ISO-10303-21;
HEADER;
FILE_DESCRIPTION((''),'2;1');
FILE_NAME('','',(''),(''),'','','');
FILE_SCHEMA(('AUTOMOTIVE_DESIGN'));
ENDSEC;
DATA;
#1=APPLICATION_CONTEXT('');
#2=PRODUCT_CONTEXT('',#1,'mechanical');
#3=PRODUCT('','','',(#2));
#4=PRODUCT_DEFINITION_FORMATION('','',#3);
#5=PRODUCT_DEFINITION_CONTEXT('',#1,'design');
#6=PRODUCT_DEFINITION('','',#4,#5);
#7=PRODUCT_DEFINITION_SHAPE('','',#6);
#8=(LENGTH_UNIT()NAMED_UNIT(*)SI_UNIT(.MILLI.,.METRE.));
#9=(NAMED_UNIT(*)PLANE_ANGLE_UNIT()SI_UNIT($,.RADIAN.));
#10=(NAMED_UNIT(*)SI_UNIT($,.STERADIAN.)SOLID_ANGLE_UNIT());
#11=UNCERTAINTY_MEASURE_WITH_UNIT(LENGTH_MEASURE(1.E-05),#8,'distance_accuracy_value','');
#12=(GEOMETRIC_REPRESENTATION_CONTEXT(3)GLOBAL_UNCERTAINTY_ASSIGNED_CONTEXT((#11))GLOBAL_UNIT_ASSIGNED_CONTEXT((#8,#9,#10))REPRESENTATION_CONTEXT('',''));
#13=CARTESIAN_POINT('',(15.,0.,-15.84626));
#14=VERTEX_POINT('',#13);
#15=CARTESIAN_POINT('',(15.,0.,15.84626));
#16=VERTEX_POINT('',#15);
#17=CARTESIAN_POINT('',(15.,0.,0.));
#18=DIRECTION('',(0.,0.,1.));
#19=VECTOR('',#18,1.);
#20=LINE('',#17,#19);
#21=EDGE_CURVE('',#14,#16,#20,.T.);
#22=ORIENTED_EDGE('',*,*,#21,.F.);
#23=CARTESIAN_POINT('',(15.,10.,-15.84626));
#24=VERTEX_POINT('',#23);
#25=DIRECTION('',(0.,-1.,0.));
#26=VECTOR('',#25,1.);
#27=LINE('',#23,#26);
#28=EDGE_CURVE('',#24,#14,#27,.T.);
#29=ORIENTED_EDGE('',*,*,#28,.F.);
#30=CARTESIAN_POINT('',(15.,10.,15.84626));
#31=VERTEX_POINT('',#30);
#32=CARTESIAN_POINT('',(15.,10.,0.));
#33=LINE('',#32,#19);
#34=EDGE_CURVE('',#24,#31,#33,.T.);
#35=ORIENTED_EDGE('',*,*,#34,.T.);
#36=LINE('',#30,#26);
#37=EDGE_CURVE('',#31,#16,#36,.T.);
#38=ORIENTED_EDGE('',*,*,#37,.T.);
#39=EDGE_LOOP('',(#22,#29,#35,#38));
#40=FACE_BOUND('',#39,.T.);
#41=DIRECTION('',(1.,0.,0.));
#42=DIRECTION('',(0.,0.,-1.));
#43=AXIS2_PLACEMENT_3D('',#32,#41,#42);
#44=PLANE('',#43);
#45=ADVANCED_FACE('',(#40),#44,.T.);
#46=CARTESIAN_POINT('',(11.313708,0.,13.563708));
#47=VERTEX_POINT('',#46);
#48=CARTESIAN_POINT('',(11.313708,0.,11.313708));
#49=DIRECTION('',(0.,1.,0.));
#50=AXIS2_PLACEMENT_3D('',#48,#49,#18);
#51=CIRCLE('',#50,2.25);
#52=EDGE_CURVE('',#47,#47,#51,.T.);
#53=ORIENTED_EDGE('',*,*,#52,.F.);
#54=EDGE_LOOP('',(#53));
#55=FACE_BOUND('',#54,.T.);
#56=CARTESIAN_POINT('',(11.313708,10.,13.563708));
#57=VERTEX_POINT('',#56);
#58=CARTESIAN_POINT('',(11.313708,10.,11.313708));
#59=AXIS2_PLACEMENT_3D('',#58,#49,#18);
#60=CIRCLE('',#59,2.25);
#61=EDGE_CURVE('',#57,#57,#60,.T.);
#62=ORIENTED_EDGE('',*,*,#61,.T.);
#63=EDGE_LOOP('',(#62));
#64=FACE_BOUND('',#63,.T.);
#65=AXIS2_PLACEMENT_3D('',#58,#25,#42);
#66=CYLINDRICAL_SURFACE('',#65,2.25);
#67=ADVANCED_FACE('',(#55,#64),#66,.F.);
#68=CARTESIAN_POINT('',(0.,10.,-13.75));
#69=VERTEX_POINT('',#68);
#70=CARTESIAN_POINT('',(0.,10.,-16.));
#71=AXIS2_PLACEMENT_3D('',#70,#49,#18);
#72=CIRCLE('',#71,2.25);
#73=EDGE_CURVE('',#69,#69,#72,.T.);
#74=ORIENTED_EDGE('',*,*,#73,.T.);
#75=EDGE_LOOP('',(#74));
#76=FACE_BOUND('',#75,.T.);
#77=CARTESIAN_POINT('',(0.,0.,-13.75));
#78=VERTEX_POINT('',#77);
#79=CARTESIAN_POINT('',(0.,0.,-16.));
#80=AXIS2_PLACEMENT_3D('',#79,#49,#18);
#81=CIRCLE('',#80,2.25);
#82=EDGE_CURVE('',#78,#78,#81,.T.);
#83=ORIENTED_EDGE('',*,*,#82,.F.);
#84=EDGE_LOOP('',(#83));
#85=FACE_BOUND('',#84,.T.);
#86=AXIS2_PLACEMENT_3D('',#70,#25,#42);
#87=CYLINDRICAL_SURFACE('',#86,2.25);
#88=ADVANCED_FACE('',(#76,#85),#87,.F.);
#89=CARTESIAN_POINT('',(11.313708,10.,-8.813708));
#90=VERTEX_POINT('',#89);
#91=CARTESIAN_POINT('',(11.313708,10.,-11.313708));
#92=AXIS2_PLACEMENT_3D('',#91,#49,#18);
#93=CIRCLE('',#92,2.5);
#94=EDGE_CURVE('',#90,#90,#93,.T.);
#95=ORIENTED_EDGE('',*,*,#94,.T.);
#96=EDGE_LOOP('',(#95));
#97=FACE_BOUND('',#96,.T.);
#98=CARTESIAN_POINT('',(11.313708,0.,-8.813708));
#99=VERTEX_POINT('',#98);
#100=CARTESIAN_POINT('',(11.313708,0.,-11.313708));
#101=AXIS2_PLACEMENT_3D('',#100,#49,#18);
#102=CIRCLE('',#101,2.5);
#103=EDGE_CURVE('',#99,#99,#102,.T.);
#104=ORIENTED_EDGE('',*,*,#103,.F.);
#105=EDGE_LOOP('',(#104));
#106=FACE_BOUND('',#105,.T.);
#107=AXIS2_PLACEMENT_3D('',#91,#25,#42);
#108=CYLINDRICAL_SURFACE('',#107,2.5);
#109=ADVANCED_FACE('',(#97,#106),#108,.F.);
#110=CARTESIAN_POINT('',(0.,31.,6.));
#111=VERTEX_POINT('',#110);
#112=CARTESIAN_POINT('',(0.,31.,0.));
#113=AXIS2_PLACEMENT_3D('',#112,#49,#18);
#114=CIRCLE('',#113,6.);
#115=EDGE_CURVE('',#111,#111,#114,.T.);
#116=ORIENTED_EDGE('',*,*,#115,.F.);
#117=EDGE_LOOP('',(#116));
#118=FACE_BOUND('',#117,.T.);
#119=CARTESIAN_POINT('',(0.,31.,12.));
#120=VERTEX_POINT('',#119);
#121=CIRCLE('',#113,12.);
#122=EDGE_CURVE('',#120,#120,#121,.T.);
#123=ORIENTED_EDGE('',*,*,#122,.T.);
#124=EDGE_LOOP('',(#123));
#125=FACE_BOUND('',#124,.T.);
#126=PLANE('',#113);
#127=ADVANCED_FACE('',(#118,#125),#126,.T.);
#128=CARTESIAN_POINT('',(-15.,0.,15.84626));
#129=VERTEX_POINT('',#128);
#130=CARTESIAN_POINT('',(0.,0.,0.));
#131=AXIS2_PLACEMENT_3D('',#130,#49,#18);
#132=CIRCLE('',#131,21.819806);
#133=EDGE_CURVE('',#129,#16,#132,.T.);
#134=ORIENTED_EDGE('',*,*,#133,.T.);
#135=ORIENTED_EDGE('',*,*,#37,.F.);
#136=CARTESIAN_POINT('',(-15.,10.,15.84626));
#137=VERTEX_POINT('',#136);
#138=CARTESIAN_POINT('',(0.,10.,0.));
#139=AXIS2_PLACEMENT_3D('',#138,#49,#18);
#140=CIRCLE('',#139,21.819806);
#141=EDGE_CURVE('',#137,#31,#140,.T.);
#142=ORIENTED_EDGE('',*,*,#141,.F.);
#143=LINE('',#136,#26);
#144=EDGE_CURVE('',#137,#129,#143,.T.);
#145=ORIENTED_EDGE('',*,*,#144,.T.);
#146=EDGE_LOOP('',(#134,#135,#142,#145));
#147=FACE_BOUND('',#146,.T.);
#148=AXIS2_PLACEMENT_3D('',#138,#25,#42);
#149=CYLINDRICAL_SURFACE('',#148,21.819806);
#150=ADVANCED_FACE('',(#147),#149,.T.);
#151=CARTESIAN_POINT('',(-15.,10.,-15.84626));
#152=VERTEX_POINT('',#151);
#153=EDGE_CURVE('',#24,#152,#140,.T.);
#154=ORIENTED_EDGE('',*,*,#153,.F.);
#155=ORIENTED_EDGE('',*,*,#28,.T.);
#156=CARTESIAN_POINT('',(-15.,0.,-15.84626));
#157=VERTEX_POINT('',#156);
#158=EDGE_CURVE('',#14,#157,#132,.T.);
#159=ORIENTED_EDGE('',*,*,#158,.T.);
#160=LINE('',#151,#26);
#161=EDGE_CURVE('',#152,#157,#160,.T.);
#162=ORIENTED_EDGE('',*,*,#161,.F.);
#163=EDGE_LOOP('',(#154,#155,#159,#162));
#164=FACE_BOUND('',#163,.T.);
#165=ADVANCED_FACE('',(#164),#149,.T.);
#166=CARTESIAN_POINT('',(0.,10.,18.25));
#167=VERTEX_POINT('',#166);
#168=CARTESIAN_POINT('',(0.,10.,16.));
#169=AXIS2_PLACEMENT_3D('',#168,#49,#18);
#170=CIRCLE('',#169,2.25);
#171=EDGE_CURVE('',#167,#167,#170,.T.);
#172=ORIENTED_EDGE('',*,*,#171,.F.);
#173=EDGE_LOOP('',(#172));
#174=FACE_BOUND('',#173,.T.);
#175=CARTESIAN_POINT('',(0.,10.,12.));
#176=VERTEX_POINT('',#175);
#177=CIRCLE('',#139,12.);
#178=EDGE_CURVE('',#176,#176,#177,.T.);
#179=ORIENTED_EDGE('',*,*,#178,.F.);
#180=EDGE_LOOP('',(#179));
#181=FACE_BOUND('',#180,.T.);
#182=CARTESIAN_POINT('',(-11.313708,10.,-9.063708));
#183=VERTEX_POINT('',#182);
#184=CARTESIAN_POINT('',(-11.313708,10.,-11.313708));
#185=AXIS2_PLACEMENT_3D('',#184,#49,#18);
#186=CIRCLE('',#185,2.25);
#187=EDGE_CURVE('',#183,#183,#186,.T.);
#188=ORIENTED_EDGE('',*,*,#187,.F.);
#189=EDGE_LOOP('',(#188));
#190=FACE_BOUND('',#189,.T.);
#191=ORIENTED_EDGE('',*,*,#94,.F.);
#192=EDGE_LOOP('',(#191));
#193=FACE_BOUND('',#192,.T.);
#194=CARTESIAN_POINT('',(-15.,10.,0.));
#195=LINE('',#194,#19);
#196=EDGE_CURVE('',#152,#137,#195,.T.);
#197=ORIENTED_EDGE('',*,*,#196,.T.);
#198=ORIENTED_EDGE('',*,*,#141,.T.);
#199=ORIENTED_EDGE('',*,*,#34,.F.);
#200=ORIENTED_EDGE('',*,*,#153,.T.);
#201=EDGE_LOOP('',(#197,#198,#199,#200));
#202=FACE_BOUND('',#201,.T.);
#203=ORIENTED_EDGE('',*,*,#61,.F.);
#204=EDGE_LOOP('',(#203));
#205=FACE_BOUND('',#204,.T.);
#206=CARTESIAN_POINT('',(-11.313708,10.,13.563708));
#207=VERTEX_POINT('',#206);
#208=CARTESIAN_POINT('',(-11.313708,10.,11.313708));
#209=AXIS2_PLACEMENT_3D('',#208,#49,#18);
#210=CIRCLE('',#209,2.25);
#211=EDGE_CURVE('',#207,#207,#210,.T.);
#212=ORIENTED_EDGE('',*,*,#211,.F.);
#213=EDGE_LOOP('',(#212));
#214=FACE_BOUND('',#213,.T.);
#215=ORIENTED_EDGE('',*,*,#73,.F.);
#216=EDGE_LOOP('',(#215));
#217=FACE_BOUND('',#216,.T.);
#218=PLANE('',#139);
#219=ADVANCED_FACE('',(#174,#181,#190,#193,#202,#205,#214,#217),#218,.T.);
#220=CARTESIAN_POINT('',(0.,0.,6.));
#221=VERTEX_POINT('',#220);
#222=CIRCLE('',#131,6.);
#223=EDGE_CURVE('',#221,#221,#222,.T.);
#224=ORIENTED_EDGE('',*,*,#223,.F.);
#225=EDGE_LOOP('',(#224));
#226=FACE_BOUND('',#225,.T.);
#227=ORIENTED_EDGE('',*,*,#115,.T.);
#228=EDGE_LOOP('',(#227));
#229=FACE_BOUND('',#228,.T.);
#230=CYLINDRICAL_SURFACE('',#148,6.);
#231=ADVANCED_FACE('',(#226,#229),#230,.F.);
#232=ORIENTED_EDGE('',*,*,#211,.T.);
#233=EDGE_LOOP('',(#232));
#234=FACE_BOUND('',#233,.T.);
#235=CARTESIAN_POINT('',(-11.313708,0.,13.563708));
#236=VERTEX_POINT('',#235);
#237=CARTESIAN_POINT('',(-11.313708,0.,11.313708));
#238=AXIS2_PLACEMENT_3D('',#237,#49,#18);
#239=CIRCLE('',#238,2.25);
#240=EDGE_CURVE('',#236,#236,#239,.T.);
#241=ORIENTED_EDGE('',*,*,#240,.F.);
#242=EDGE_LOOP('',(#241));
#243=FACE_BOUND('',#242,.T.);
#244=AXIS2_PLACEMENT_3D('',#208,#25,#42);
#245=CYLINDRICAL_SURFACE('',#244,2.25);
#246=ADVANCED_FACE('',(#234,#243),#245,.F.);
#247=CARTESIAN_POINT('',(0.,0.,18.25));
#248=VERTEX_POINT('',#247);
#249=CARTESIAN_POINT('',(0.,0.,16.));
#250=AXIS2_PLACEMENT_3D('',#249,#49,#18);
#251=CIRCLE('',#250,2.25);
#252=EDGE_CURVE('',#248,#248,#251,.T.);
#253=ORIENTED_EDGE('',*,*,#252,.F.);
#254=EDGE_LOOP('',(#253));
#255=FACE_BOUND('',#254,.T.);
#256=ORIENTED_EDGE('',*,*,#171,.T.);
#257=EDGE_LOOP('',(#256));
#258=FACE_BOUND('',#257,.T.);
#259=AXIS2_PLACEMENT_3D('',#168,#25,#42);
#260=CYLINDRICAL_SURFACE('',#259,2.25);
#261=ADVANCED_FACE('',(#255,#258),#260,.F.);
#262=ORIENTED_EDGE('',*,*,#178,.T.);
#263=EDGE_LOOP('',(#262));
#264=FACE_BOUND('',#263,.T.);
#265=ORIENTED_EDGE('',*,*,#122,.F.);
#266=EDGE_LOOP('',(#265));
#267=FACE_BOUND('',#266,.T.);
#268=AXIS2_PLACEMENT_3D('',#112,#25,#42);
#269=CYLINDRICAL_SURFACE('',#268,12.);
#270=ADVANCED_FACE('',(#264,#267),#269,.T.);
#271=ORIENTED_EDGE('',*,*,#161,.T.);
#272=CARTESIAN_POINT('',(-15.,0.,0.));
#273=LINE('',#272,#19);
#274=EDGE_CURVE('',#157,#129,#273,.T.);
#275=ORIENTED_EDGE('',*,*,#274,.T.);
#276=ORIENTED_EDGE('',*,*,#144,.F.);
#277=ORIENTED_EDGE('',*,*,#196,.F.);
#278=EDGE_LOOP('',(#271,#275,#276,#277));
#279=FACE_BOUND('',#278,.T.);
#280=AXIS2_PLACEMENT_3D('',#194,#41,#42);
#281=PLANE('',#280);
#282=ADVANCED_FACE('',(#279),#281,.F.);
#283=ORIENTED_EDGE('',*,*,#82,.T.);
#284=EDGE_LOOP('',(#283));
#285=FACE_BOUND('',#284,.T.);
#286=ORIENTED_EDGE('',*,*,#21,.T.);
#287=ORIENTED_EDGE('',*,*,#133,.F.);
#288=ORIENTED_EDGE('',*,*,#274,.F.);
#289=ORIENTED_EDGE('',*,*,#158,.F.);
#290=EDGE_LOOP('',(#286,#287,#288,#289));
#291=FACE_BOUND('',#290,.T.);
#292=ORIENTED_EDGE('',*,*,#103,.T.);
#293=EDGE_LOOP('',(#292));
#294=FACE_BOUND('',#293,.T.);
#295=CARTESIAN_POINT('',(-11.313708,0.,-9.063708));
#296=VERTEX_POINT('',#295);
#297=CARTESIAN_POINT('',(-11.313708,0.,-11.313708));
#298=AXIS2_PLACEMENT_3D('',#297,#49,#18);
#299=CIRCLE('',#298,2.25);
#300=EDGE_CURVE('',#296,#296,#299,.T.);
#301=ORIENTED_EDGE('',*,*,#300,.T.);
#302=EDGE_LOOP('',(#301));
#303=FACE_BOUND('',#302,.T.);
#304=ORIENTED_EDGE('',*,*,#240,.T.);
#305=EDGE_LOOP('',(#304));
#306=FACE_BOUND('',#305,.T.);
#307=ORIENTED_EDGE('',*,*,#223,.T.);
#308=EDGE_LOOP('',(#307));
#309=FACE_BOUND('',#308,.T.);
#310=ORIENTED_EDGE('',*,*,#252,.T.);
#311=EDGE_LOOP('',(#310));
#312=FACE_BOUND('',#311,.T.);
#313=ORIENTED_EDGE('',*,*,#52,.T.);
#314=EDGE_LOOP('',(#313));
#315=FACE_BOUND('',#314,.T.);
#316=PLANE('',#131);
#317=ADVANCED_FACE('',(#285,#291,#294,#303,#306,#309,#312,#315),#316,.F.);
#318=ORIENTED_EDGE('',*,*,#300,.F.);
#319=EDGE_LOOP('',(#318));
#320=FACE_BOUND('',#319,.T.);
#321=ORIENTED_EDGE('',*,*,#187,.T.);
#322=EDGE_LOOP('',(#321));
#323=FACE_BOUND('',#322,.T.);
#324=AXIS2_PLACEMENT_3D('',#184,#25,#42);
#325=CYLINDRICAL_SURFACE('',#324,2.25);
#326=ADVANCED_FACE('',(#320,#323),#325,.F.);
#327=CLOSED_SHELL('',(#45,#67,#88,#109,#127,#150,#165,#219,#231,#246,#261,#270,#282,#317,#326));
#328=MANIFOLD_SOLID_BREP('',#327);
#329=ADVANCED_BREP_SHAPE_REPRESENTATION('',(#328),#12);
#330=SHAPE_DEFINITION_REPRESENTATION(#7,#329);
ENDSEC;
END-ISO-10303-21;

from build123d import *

# Parameters (mm, degrees)
SKETCH_1_R      = 6
EXTRUDE_1_DEPTH = 10
SKETCH_3_R      = 12
SKETCH_3_R_2    = 6
EXTRUDE_2_DEPTH = 21


with BuildPart() as part:
    # 草图1 → 凸台-拉伸1 (new body)
    with BuildSketch(Plane(origin=(0, 0, 0), x_dir=(1, 0, 0), z_dir=(0, 1, 0))):
        with BuildLine():
            ThreePointArc((-12.788894575, 9.614789418), (-14.041020916, 7.671357874), (-15, 5.567764363))
            Line((-15, 5.567764363), (-15, -5.567764363))
            ThreePointArc((-15, -5.567764363), (-14.041020916, -7.671357874), (-12.788894575, -9.614789418))
            ThreePointArc((-12.788894575, -9.614789418), (-10.380078131, -9.26655576), (-9.063708499, -11.313708499))
            ThreePointArc((-9.063708499, -11.313708499), (-9.205976551, -12.101087718), (-9.614789418, -12.788894575))
            ThreePointArc((-9.614789418, -12.788894575), (-6.122934918, -14.78207252), (-2.24443128, -15.841796875))
            ThreePointArc((-2.24443128, -15.841796875), (0, -13.75), (2.24443128, -15.841796875))
            ThreePointArc((2.24443128, -15.841796875), (6.122934918, -14.78207252), (9.614789418, -12.788894575))
            ThreePointArc((9.614789418, -12.788894575), (9.722718241, -9.722718241), (12.788894575, -9.614789418))
            ThreePointArc((12.788894575, -9.614789418), (14.041020916, -7.671357874), (15, -5.567764363))
            Line((15, -5.567764363), (15, 5.567764363))
            ThreePointArc((15, 5.567764363), (14.100687822, 7.561124451), (12.937965605, 9.413237806))
            ThreePointArc((12.937965605, 9.413237806), (9.545941546, 9.545941546), (9.413237806, 12.937965605))
            ThreePointArc((9.413237806, 12.937965605), (6.006943578, 14.829586267), (2.24443128, 15.841796875))
            ThreePointArc((2.24443128, 15.841796875), (0, 13.75), (-2.24443128, 15.841796875))
            ThreePointArc((-2.24443128, 15.841796875), (-6.122934918, 14.78207252), (-9.614789418, 12.788894575))
            ThreePointArc((-9.614789418, 12.788894575), (-9.205976551, 12.101087718), (-9.063708499, 11.313708499))
            ThreePointArc((-9.063708499, 11.313708499), (-10.380078131, 9.26655576), (-12.788894575, 9.614789418))
        make_face()
        Circle(SKETCH_1_R, mode=Mode.SUBTRACT)
        with BuildLine():
            Line((-15, -5.567764363), (-15, -15.84625977))
            ThreePointArc((-15, -15.84625977), (0, -21.819806339), (15, -15.84625977))
            Line((15, -15.84625977), (15, -5.567764363))
            ThreePointArc((15, -5.567764363), (14.041020916, -7.671357874), (12.788894575, -9.614789418))
            ThreePointArc((12.788894575, -9.614789418), (13.360861238, -10.380078131), (13.563708499, -11.313708499))
            ThreePointArc((13.563708499, -11.313708499), (12.101087718, -13.421440447), (9.614789418, -12.788894575))
            ThreePointArc((9.614789418, -12.788894575), (6.122934918, -14.78207252), (2.24443128, -15.841796875))
            ThreePointArc((2.24443128, -15.841796875), (2.248607389, -15.920849448), (2.25, -16))
            ThreePointArc((2.25, -16), (-0.079150552, -18.248607389), (-2.24443128, -15.841796875))
            ThreePointArc((-2.24443128, -15.841796875), (-6.122934918, -14.78207252), (-9.614789418, -12.788894575))
            ThreePointArc((-9.614789418, -12.788894575), (-12.904698757, -12.904698757), (-12.788894575, -9.614789418))
            ThreePointArc((-12.788894575, -9.614789418), (-14.041020916, -7.671357874), (-15, -5.567764363))
        make_face()
        with BuildLine():
            ThreePointArc((15, 15.84625977), (0, 21.819806339), (-15, 15.84625977))
            Line((-15, 15.84625977), (-15, 5.567764363))
            ThreePointArc((-15, 5.567764363), (-14.041020916, 7.671357874), (-12.788894575, 9.614789418))
            ThreePointArc((-12.788894575, 9.614789418), (-12.904698757, 12.904698757), (-9.614789418, 12.788894575))
            ThreePointArc((-9.614789418, 12.788894575), (-6.122934918, 14.78207252), (-2.24443128, 15.841796875))
            ThreePointArc((-2.24443128, 15.841796875), (-0.079150552, 18.248607389), (2.25, 16))
            ThreePointArc((2.25, 16), (2.248607389, 15.920849448), (2.24443128, 15.841796875))
            ThreePointArc((2.24443128, 15.841796875), (6.006943578, 14.829586267), (9.413237806, 12.937965605))
            ThreePointArc((9.413237806, 12.937965605), (12.179394143, 13.659041816), (13.813708499, 11.313708499))
            ThreePointArc((13.813708499, 11.313708499), (13.584241781, 10.267439596), (12.937965605, 9.413237806))
            ThreePointArc((12.937965605, 9.413237806), (14.100687822, 7.561124451), (15, 5.567764363))
            Line((15, 5.567764363), (15, 15.84625977))
        make_face()
    extrude(amount=EXTRUDE_1_DEPTH)

    # 草图3 → 凸台-拉伸2 (add)
    with BuildSketch(Plane(origin=(0, 10, 0), x_dir=(1, 0, 0), z_dir=(0, 1, 0))):
        Circle(SKETCH_3_R)
        Circle(SKETCH_3_R_2, mode=Mode.SUBTRACT)
    extrude(amount=EXTRUDE_2_DEPTH)


solid = part.part
